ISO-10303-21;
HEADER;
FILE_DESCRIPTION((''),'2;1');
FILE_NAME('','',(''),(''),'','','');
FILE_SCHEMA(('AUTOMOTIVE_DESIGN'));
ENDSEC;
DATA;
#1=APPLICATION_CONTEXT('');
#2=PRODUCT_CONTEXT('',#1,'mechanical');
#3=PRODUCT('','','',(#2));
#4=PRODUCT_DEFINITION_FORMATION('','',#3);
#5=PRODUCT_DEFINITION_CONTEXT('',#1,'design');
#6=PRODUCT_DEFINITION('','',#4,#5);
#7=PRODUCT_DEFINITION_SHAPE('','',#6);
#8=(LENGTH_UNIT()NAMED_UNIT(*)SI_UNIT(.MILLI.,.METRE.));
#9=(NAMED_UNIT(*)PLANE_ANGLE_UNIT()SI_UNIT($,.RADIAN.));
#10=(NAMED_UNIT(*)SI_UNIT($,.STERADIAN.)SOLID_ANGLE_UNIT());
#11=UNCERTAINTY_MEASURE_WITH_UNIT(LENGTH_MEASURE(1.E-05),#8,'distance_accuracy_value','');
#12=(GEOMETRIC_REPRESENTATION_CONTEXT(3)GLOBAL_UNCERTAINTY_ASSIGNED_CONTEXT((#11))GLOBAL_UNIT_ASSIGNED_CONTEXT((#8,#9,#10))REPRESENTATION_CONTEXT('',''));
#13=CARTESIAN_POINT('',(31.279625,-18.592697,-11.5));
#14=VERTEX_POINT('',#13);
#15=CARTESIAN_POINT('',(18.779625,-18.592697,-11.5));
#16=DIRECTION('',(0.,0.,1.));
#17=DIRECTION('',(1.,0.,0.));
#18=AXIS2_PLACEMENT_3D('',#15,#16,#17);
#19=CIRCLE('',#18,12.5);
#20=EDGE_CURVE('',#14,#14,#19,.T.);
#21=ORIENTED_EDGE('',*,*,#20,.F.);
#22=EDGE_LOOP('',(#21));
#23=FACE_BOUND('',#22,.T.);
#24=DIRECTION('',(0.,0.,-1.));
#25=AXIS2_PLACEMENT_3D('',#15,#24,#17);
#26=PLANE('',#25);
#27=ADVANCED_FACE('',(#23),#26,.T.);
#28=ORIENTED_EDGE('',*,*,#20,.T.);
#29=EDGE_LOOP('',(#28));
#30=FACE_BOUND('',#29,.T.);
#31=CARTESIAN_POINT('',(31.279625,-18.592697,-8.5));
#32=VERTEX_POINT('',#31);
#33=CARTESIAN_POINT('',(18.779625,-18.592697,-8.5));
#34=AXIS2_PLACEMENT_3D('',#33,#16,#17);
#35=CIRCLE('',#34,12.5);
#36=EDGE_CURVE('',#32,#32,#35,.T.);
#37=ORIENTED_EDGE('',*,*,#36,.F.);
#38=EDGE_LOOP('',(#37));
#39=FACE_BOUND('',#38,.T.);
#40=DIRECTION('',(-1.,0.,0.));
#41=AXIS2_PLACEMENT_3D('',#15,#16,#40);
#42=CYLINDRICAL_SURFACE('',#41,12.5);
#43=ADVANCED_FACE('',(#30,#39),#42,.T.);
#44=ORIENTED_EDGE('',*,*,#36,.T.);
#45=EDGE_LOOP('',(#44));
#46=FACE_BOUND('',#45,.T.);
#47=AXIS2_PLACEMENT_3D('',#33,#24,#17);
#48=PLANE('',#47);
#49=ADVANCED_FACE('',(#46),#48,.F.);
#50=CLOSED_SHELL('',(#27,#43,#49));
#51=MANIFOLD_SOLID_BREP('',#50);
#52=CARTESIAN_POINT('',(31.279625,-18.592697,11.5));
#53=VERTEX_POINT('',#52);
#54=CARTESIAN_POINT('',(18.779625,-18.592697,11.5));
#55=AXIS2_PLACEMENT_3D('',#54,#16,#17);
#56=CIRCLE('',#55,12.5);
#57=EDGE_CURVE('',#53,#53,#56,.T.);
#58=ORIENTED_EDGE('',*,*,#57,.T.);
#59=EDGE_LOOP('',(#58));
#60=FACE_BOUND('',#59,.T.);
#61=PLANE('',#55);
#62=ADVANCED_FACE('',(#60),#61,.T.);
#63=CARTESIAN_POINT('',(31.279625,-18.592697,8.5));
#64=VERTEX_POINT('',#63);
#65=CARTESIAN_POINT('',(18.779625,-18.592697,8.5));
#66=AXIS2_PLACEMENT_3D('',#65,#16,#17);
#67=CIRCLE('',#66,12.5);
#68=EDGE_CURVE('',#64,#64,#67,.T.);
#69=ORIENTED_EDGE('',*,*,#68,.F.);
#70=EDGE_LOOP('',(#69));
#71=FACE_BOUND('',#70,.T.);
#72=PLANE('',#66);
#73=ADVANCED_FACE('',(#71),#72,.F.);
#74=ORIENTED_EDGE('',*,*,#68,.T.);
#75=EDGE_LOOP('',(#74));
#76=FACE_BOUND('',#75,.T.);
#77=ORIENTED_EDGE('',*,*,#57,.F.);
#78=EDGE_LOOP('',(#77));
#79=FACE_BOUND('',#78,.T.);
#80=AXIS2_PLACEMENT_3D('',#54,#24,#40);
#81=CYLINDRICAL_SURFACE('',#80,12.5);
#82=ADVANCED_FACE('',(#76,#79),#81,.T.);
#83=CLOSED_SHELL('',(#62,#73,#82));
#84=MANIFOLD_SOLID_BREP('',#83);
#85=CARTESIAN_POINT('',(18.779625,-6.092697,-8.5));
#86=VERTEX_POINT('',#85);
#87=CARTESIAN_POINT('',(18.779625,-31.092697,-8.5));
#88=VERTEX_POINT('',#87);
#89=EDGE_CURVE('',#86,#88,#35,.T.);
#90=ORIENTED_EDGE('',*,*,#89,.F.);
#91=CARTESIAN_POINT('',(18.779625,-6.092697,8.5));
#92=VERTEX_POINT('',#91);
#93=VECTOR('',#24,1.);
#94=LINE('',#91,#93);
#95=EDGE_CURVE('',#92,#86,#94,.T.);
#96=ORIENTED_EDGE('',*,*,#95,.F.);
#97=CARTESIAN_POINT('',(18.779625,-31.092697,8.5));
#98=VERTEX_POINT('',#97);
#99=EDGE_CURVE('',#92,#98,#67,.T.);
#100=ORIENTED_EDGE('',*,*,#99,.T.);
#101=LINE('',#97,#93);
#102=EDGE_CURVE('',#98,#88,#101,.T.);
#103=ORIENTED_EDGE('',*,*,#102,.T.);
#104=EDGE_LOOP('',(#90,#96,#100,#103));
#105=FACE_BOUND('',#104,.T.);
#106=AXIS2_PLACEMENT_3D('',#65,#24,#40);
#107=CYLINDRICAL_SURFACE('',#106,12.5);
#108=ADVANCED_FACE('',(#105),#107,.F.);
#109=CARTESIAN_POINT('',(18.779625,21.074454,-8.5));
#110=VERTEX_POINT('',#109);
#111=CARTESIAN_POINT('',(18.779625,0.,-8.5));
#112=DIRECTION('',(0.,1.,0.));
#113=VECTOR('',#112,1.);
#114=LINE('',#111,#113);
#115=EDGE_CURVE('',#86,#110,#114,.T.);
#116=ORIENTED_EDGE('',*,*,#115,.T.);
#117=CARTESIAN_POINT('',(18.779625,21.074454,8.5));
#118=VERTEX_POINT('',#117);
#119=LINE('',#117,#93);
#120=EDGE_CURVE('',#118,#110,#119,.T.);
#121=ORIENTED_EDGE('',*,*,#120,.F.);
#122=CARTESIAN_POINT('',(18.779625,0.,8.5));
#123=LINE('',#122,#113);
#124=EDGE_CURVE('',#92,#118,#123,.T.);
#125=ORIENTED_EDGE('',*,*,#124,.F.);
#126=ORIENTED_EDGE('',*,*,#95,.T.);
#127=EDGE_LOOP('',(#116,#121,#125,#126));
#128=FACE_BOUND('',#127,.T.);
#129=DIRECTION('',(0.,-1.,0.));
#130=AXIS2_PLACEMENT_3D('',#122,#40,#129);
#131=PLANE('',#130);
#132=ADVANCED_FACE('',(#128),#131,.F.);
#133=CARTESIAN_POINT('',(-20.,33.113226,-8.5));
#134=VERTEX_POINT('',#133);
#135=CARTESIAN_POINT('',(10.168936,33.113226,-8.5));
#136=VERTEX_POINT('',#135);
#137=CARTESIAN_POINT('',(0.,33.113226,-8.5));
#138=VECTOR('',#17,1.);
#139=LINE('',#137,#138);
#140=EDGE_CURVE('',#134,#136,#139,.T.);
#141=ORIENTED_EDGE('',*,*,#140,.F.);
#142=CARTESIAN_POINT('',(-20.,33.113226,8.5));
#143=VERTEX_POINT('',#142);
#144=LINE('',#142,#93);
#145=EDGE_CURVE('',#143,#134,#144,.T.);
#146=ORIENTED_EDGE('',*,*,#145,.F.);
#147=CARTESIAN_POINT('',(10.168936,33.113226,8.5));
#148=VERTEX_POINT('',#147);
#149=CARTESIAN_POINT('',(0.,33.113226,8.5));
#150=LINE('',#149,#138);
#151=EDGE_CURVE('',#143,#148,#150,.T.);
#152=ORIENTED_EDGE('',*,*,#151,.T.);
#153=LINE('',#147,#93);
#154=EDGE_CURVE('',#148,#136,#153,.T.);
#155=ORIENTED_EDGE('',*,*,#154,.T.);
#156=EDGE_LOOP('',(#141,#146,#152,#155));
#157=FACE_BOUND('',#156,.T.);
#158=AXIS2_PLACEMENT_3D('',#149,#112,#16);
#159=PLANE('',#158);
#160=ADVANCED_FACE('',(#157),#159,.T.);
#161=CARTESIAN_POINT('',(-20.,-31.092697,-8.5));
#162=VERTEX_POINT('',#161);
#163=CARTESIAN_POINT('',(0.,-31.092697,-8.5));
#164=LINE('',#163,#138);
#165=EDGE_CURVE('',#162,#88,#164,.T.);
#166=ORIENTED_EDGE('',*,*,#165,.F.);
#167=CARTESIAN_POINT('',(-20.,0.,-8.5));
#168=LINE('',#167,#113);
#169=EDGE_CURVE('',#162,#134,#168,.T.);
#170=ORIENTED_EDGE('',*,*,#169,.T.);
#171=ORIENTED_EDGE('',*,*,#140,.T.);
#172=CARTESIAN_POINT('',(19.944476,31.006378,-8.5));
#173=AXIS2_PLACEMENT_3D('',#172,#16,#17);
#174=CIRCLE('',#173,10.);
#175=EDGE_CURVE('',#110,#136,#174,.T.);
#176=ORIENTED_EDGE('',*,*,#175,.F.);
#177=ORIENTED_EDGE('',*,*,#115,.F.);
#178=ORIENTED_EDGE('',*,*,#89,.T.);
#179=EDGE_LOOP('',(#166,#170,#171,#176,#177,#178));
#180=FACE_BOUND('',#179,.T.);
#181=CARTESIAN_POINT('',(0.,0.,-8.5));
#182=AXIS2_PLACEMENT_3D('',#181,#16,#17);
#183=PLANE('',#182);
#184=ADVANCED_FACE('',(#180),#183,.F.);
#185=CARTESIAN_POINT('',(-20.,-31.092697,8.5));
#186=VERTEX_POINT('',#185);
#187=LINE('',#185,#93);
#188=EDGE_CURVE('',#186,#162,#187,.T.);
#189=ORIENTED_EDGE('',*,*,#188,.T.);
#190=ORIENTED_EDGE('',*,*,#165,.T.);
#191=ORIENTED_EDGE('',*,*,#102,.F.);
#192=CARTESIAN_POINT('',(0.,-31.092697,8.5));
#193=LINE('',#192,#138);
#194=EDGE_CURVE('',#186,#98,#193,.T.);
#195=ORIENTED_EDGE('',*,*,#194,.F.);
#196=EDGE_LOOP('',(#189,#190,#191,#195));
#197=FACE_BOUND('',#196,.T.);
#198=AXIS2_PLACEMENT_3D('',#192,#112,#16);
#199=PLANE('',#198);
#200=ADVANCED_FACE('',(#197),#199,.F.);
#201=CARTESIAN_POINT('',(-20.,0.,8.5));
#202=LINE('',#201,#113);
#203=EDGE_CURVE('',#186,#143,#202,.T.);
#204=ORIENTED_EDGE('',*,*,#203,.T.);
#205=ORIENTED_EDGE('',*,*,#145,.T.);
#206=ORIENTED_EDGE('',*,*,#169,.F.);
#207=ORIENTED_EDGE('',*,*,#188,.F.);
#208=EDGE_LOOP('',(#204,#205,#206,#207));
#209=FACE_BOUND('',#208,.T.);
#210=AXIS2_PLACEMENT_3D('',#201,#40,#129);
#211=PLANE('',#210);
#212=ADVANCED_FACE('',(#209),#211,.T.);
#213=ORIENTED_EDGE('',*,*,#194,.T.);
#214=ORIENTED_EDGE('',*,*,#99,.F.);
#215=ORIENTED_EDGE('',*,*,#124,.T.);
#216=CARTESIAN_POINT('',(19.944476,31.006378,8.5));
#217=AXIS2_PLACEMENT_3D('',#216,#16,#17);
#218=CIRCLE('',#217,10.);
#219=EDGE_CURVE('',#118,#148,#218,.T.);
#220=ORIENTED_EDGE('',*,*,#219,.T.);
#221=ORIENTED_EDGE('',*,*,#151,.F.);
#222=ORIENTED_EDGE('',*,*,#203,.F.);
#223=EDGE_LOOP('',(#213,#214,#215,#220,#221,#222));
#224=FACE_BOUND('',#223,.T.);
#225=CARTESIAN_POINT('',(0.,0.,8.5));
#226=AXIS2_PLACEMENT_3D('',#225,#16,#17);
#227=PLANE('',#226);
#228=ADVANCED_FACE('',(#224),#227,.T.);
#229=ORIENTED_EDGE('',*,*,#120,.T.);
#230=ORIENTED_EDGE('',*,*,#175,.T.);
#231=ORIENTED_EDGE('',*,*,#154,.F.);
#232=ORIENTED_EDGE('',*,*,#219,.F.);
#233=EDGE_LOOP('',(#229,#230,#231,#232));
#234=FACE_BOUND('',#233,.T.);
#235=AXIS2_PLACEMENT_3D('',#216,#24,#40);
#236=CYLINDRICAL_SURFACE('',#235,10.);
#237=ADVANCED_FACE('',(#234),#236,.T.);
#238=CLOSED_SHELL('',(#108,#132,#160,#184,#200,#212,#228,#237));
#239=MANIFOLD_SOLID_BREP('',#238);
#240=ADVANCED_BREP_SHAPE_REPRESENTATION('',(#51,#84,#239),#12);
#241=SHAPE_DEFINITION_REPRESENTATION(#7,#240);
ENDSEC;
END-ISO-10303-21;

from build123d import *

# Parameters (mm, degrees)
SALIENTE_EXTRUIR1_DEPTH = 8.5
CROQUIS2_R              = 12.5
SALIENTE_EXTRUIR2_DEPTH = 3


with BuildPart() as part:
    # Croquis1 → Saliente-Extruir1 (new, symmetric)
    with BuildSketch(Plane.XY):
        with BuildLine():
            Line((-20, 33.113225815), (-20, -31.092697389))
            Line((-20, -31.092697389), (18.77962453, -31.092697389))
            ThreePointArc((18.77962453, -31.092697389), (6.27962453, -18.592697389), (18.77962453, -6.092697389))
            Line((18.77962453, -6.092697389), (18.77962453, 21.074454159))
            ThreePointArc((18.77962453, 21.074454159), (28.078113499, 36.823933556), (10.168935783, 33.113225815))
            Line((10.168935783, 33.113225815), (-20, 33.113225815))
        make_face()
    extrude(amount=SALIENTE_EXTRUIR1_DEPTH, both=True)


with BuildPart() as body_2:
    # Croquis2 → Saliente-Extruir2 (new body)
    with BuildSketch(Plane.XY.offset(8.5)):
        with Locations((18.77962453, -18.592697389)):
            Circle(CROQUIS2_R)
    extrude(amount=SALIENTE_EXTRUIR2_DEPTH)


with BuildPart() as body_3:
    # Simetría2: mirrored copy
    add(body_2.part.mirror(Plane(origin=(0, 0, 0), x_dir=(1, 0, 0), z_dir=(0, 0, -1))))


solid = Compound([part.part, body_2.part, body_3.part])
